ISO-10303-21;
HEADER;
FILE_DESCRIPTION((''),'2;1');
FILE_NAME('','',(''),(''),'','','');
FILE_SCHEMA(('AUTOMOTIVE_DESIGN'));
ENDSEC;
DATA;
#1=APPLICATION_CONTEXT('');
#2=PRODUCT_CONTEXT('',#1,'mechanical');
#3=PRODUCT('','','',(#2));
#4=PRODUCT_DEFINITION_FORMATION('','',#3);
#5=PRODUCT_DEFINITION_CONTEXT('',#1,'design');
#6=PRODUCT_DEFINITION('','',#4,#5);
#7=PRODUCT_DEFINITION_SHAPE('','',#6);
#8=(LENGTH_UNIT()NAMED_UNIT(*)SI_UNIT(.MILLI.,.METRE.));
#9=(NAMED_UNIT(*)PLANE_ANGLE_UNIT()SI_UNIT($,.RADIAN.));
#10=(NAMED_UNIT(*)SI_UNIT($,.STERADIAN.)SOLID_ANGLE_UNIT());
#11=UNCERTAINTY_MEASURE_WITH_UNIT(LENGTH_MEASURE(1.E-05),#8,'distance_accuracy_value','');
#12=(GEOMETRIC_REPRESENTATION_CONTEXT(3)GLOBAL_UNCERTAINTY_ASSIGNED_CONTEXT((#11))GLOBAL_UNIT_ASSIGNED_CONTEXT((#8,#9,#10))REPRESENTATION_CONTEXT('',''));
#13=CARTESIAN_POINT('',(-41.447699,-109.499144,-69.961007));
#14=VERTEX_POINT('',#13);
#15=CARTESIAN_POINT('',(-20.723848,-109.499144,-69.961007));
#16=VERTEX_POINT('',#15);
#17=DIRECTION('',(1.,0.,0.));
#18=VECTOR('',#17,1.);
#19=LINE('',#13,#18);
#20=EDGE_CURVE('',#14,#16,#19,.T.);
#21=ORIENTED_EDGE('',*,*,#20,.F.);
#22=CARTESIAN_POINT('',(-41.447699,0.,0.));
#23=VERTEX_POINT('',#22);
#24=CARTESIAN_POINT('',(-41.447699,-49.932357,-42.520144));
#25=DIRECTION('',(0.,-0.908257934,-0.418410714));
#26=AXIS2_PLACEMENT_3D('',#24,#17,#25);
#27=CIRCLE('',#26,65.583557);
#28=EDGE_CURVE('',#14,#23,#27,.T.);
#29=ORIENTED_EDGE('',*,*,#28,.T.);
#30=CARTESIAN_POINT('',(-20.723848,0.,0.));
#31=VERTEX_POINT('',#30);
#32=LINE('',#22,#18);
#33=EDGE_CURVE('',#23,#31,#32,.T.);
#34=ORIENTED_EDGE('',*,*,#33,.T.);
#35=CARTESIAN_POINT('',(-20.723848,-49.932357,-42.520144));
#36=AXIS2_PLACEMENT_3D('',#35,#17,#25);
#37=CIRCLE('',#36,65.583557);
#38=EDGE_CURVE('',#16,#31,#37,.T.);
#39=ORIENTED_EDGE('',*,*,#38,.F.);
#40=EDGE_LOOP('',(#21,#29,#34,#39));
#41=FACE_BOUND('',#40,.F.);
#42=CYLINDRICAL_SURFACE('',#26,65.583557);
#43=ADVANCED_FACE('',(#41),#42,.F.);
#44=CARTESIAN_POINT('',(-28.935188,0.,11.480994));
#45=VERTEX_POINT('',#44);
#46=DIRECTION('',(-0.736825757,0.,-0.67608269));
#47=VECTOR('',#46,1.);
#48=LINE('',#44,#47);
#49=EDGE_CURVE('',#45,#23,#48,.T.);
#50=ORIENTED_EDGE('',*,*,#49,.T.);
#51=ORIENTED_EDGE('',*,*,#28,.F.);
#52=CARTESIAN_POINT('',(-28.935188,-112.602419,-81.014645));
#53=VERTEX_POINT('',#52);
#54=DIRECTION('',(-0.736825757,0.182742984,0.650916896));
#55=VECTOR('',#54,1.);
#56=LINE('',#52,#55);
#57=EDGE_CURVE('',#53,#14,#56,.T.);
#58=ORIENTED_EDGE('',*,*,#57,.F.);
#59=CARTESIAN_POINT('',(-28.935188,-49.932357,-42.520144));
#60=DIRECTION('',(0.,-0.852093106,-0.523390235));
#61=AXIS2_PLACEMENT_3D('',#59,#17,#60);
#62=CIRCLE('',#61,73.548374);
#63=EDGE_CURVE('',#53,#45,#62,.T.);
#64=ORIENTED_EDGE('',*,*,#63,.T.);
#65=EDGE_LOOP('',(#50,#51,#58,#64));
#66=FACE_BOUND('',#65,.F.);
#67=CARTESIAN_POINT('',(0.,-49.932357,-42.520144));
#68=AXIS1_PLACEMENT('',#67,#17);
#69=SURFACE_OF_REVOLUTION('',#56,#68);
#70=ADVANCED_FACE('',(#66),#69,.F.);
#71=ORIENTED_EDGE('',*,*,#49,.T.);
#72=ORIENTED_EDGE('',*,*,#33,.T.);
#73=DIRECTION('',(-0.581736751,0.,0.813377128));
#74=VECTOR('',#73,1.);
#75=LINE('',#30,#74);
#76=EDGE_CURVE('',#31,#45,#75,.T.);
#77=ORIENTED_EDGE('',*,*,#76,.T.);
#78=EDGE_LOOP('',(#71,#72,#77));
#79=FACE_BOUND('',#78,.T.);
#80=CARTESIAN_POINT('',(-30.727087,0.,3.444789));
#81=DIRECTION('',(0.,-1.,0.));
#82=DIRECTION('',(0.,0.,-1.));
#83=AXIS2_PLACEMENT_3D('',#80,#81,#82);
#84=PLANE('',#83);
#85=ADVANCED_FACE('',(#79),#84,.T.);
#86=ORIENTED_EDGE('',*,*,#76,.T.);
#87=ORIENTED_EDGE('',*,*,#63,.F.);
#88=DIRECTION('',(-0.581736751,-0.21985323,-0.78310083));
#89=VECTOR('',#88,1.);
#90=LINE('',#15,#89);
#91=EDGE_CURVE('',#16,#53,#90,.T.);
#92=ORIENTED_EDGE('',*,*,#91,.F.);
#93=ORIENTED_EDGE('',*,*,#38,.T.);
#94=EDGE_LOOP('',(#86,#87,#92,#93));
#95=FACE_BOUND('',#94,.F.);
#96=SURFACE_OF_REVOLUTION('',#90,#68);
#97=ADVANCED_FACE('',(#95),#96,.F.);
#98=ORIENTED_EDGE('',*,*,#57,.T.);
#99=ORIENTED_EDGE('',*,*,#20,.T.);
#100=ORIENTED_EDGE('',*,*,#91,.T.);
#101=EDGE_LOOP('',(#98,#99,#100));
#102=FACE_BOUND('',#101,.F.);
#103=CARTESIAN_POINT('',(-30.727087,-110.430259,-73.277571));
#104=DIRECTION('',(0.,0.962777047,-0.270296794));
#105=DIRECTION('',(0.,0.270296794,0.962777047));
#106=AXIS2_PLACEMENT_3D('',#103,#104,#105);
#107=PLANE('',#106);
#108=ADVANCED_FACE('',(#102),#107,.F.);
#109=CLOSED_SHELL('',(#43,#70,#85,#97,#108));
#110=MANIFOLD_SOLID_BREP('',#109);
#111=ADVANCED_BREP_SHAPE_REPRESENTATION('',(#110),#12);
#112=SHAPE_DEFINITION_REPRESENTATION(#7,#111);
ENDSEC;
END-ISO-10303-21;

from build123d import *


with BuildPart() as f2:
    # F2: sweep along a path in F1
    with BuildLine(Plane.YZ) as f2_path:
        ThreePointArc((-52.148987, -51.099528), (-41.130785, -43.545617), (-50.117217, -33.660963))
    # F0 (on Front) → F2 (sweep)
    with BuildSketch(Plane.XZ):
        Polygon((-20.723848, 0), (-28.935188, 11.480994), (-41.447699, 0), align=None)
    sweep(path=f2_path.line)


solid = f2.part
